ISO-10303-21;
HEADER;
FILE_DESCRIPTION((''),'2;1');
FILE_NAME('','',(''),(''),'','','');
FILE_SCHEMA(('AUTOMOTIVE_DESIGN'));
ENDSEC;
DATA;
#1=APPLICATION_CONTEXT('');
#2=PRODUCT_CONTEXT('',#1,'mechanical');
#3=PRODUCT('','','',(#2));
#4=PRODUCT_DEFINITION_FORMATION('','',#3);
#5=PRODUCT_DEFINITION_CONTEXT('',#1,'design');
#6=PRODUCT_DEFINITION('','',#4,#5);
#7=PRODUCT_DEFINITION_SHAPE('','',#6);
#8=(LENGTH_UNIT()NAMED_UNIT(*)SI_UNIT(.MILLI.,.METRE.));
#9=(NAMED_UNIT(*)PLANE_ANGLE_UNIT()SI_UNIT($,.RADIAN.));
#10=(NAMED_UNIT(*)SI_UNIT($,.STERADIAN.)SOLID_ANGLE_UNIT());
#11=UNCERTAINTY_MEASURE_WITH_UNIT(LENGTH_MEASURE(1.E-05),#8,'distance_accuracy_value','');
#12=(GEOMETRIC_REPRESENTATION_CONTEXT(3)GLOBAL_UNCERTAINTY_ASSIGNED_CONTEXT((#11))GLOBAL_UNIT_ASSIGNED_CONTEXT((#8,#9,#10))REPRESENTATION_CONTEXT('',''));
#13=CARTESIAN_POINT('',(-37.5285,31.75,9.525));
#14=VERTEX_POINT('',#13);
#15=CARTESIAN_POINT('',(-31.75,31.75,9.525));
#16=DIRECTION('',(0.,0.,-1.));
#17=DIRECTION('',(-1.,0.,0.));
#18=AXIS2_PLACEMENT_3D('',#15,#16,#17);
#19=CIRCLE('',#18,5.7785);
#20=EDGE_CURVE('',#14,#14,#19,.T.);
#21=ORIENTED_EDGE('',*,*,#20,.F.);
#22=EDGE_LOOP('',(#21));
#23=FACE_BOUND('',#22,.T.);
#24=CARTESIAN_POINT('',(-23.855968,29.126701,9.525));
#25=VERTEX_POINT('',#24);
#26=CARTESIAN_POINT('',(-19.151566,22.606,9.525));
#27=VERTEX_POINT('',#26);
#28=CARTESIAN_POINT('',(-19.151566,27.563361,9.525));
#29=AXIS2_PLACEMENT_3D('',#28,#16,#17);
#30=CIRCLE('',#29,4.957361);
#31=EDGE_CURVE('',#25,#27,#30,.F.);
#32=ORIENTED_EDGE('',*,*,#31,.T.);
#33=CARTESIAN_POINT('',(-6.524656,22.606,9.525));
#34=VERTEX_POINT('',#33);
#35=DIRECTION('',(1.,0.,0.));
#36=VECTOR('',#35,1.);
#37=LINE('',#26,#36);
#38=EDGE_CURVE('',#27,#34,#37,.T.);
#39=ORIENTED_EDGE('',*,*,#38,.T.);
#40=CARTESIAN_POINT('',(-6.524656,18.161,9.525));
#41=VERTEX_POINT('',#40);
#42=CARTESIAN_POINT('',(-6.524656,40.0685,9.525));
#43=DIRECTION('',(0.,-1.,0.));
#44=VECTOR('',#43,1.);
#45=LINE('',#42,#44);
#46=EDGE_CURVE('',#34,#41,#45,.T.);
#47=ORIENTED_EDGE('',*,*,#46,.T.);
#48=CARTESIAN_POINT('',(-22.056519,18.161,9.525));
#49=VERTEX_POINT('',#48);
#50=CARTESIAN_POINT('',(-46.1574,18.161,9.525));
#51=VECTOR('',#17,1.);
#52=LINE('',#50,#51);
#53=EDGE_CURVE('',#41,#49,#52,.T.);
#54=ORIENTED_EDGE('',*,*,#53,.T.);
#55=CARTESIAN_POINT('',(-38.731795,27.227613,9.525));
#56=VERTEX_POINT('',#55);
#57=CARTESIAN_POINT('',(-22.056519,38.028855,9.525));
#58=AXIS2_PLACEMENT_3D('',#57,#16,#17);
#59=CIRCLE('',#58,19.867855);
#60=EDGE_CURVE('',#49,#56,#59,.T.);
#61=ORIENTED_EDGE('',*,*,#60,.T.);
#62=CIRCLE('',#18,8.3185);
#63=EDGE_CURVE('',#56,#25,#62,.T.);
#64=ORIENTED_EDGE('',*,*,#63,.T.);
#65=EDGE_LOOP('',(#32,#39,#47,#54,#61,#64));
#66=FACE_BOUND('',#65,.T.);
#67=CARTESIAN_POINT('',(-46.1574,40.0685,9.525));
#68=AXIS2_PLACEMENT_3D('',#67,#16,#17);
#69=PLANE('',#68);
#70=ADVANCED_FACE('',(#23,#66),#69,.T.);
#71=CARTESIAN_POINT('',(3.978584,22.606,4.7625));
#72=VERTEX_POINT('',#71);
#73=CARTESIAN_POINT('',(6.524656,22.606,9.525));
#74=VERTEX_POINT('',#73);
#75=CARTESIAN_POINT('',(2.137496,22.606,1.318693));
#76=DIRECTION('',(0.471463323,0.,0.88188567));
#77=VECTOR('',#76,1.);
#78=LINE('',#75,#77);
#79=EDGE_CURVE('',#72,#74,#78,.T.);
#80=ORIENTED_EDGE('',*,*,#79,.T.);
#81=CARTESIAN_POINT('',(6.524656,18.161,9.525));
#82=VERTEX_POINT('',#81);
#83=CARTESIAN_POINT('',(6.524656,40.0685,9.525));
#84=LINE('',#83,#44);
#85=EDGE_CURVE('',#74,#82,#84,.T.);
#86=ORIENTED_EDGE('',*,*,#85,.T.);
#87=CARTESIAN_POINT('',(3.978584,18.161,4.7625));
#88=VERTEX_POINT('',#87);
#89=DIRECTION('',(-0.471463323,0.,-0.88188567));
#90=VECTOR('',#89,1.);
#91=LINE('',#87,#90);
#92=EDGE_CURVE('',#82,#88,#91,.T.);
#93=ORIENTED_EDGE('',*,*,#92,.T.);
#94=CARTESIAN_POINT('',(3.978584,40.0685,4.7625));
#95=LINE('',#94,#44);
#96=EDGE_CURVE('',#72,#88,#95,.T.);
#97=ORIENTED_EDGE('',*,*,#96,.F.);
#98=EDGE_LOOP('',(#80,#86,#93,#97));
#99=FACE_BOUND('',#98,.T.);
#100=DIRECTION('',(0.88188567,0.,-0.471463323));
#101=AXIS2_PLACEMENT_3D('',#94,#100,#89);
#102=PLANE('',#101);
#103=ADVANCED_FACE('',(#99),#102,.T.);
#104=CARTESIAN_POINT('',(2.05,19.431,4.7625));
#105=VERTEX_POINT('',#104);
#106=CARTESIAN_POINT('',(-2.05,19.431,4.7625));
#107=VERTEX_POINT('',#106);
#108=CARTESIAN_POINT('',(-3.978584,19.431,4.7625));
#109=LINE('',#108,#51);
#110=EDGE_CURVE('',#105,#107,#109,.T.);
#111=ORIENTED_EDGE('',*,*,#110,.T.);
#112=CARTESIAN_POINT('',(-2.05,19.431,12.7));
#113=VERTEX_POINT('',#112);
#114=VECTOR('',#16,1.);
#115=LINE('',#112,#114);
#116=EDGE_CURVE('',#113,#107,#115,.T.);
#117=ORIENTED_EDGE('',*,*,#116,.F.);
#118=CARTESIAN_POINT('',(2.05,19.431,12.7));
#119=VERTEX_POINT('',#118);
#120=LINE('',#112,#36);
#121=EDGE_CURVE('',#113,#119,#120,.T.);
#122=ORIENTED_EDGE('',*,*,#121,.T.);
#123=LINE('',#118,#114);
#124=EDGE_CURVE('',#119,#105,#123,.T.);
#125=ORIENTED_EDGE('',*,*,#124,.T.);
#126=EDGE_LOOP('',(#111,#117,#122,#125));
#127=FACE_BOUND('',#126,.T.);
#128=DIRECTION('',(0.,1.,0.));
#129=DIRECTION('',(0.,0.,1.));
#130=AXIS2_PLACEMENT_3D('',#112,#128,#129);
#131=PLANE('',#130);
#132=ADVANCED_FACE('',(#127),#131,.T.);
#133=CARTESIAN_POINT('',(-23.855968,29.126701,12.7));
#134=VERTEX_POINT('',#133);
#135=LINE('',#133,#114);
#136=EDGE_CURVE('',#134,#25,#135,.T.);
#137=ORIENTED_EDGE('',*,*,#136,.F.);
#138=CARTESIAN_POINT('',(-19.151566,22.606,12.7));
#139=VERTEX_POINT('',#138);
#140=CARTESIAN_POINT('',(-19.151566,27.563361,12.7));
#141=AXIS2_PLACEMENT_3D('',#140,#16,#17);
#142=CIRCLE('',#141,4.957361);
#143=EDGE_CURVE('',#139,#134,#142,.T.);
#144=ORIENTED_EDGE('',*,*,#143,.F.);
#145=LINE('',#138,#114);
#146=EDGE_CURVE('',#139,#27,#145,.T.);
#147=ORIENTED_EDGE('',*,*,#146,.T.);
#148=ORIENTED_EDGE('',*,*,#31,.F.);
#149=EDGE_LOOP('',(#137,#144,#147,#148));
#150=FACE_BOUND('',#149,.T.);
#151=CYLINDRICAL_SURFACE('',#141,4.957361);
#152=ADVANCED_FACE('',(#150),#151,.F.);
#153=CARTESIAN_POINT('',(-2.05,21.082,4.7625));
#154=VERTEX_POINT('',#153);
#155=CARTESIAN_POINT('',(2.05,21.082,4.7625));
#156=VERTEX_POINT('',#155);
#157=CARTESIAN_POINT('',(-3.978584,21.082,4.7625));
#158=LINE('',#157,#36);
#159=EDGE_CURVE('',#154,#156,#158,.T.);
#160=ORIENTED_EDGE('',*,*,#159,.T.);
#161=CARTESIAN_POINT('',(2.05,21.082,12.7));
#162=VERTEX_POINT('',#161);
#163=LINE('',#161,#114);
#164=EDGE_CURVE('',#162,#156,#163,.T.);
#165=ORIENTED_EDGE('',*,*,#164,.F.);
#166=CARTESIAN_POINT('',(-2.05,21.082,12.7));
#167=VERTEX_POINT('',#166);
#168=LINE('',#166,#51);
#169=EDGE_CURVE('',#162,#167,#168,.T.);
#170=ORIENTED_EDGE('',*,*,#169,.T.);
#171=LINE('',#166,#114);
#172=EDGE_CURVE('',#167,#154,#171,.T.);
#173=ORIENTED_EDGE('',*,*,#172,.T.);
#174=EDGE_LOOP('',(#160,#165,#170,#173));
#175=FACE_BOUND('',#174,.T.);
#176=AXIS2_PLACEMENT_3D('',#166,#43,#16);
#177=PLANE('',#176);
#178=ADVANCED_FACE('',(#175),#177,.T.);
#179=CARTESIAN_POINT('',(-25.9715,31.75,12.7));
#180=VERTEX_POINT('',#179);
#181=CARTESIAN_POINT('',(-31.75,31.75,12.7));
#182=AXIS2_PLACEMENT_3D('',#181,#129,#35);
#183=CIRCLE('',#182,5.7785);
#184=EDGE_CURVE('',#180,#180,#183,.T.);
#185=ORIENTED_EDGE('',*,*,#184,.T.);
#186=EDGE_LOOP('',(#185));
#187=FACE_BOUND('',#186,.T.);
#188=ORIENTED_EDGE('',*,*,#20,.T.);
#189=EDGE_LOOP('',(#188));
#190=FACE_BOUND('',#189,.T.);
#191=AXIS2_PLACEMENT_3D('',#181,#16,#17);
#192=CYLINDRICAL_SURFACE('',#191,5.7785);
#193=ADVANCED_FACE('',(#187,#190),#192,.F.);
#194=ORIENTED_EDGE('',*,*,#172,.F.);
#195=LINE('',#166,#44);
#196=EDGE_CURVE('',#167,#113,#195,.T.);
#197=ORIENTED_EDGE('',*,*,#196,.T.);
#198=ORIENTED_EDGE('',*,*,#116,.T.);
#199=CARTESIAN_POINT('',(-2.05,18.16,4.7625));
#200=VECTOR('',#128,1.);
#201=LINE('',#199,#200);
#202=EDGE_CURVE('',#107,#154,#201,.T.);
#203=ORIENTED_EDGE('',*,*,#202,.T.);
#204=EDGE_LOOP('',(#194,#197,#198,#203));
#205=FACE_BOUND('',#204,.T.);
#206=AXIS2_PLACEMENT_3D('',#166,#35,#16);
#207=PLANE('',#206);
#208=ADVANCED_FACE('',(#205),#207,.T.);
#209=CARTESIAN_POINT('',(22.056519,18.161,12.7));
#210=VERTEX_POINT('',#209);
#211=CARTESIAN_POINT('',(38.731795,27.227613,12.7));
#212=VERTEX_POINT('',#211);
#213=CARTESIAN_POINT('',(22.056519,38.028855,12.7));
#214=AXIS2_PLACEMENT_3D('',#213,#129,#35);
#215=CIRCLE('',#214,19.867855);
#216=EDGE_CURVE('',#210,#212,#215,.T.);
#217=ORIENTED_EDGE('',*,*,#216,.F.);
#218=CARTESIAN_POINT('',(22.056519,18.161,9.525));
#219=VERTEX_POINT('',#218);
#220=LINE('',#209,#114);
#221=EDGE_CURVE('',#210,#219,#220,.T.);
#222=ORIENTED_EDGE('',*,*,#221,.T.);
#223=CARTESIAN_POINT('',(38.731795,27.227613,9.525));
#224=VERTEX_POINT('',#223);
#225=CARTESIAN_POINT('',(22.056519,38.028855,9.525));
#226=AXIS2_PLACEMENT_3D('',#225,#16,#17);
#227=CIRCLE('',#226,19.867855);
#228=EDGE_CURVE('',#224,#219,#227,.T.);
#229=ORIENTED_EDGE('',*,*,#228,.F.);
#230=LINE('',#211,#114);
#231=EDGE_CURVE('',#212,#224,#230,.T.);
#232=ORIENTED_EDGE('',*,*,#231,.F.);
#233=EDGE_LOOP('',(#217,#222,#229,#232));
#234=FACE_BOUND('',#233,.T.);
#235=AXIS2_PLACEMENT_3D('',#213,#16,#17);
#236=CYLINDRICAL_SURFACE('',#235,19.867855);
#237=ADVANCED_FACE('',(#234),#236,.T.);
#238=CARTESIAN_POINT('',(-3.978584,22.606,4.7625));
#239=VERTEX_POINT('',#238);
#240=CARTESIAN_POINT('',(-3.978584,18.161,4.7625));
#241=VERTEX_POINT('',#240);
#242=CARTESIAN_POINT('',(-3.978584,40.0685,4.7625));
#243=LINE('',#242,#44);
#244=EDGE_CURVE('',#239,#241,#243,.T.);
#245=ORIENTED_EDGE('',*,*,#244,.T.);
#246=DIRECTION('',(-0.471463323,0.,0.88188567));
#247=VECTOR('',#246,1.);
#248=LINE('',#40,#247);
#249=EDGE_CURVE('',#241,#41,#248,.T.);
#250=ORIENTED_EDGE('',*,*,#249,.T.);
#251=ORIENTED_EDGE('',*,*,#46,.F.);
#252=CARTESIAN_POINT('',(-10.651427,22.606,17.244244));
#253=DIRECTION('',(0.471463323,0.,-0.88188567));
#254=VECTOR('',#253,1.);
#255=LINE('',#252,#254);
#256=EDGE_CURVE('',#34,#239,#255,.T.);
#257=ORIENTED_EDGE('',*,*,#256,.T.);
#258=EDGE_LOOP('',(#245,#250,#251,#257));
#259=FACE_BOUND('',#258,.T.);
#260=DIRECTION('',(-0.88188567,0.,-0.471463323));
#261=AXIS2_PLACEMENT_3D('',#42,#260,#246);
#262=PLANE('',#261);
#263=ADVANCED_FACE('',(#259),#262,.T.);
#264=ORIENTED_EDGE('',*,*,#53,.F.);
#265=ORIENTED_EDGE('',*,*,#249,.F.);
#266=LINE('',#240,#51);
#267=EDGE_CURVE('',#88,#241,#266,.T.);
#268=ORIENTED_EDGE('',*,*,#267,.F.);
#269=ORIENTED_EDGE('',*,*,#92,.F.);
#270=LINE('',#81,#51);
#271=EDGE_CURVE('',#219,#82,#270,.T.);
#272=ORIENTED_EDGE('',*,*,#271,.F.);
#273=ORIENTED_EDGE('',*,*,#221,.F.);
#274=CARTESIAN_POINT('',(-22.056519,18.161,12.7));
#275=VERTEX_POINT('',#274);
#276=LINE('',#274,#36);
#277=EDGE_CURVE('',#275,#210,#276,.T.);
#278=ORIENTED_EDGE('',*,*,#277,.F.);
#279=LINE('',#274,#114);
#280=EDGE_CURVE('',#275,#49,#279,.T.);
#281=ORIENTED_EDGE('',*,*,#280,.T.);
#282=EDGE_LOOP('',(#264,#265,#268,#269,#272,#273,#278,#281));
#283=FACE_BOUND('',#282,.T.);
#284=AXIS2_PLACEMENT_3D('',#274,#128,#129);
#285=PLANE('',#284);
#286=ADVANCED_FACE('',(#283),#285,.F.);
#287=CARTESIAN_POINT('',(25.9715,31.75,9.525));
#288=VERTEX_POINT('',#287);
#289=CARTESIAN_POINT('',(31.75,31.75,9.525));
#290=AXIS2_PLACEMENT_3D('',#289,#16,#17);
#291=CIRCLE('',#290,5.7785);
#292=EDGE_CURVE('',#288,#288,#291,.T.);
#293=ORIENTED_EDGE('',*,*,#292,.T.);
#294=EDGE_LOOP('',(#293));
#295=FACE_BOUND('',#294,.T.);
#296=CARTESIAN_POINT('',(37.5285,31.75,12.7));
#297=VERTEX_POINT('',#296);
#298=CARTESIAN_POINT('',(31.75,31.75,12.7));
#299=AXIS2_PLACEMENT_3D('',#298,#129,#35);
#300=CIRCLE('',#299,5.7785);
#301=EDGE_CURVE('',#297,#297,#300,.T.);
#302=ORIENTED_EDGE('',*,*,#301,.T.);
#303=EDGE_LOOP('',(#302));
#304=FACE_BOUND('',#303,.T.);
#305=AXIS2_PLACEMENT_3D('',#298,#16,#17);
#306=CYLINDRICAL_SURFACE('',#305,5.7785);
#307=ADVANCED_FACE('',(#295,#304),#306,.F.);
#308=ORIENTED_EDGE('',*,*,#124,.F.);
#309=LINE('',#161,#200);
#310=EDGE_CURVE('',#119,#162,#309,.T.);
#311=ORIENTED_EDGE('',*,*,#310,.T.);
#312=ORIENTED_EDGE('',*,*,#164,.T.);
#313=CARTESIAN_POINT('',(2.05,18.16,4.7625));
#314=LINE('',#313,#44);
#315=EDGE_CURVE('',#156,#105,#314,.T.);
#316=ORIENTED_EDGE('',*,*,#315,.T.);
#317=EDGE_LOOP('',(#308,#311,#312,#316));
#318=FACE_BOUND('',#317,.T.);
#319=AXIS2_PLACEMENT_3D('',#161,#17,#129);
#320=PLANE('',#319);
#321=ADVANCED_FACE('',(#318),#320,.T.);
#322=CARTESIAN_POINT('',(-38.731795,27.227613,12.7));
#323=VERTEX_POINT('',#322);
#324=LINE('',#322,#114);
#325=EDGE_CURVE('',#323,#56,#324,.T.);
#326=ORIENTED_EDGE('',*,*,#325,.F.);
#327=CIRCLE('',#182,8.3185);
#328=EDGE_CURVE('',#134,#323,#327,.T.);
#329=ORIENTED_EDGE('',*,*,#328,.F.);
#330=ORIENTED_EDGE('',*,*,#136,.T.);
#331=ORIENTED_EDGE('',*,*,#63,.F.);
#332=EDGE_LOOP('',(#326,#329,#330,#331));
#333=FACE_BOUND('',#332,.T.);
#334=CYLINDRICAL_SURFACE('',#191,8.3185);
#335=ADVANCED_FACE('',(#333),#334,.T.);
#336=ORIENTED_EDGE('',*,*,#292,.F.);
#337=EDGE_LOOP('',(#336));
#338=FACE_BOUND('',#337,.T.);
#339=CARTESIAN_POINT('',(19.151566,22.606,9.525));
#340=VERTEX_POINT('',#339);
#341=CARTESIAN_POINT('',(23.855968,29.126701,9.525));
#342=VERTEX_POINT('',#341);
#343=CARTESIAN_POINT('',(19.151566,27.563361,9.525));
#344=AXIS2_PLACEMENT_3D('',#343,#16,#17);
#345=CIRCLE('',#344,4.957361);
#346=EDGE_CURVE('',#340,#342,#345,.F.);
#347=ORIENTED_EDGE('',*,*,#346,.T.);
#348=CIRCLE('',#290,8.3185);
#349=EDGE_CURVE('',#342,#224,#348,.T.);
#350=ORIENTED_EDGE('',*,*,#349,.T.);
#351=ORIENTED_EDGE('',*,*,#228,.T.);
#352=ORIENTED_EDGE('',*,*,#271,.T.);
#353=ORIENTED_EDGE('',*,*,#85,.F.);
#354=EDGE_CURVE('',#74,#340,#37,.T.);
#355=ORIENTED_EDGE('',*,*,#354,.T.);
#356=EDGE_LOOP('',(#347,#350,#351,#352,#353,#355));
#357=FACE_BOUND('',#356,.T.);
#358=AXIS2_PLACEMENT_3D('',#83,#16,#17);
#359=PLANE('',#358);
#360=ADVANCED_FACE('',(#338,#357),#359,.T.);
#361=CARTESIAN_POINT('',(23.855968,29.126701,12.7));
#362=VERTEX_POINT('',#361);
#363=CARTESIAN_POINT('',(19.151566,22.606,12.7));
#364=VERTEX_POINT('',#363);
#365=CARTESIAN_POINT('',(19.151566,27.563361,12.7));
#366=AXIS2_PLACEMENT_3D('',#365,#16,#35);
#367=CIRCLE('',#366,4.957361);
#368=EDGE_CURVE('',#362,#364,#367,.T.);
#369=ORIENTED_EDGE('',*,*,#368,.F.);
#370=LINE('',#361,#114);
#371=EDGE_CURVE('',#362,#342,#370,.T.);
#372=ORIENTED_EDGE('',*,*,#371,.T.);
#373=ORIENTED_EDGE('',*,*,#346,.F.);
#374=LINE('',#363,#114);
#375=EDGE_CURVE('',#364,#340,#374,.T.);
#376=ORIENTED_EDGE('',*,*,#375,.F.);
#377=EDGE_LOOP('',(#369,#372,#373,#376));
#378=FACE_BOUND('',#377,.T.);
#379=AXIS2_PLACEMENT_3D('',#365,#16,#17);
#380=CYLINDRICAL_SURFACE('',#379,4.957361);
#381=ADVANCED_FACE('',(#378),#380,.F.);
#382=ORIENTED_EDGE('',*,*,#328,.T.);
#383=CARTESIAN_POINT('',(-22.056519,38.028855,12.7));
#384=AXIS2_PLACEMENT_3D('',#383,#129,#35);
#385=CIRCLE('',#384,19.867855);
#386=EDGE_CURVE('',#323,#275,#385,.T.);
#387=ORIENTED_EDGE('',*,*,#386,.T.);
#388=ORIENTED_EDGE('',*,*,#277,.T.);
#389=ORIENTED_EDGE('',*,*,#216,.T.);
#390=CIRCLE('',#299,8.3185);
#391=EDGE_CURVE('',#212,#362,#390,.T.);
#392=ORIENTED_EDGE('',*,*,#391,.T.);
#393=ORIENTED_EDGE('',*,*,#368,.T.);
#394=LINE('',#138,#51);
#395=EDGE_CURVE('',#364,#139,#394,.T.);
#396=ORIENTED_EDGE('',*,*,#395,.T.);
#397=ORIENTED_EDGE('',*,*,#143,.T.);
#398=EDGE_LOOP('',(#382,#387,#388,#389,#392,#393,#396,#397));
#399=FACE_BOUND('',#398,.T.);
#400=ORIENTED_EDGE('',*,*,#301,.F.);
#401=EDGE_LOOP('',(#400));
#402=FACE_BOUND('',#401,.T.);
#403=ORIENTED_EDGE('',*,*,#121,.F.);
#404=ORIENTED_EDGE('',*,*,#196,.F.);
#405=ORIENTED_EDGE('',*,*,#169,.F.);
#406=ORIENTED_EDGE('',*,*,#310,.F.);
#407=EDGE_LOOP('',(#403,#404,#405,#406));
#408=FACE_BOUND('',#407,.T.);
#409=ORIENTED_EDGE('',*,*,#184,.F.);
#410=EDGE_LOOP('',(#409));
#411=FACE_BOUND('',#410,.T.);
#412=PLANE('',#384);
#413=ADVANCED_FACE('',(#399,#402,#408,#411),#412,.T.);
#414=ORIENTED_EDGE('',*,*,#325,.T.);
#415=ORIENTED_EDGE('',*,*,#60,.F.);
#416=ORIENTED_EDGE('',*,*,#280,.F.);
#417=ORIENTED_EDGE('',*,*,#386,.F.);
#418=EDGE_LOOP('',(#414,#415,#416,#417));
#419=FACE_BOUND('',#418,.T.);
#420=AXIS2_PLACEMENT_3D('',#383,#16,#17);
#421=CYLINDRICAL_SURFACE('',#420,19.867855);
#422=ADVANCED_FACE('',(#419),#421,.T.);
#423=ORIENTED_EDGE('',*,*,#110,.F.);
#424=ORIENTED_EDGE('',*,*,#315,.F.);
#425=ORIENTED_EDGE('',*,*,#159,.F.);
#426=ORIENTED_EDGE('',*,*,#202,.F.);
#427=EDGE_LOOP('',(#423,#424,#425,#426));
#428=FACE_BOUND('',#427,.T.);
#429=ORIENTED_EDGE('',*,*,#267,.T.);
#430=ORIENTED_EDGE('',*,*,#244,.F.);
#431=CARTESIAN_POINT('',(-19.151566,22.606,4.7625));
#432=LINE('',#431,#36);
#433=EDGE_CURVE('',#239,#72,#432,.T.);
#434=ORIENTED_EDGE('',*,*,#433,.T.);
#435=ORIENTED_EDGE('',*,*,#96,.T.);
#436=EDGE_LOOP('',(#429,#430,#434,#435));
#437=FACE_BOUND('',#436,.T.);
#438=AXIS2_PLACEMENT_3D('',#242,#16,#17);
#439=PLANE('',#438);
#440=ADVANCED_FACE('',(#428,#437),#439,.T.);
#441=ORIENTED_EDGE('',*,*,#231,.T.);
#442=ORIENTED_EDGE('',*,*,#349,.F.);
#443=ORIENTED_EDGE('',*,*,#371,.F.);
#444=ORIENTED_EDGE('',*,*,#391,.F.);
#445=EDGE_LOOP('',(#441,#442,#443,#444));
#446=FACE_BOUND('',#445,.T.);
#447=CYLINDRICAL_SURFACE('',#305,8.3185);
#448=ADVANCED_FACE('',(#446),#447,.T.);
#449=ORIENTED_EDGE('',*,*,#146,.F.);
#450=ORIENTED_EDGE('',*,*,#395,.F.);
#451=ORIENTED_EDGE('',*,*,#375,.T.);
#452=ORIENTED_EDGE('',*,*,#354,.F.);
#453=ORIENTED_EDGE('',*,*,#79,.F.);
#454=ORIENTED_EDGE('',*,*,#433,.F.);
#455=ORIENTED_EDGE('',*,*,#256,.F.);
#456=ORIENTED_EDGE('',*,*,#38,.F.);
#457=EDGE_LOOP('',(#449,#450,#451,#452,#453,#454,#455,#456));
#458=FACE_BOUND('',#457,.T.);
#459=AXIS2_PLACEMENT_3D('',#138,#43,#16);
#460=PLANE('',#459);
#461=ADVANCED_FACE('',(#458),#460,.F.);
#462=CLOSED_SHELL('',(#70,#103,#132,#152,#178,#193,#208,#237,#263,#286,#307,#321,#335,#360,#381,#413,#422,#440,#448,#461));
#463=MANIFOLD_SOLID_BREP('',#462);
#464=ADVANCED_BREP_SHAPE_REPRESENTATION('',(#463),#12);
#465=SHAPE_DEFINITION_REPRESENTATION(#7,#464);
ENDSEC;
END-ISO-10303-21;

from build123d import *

# Parameters (mm, degrees)
SKETCH1_R                      = 5.7785
SKETCH1_W                      = 4.1
SKETCH1_H                      = 1.651
BOSS_EXTRUDE1_DEPTH            = 12.7
CUT_EXTRUDE1_REACH             = 6.445
CUT_EXTRUDE1_DIRECTION_2_DEPTH = 18.4625


with BuildPart() as part:
    # Sketch1 → Boss-Extrude1 (new body)
    with BuildSketch(Plane.XY):
        with BuildLine():
            Line((-22.056518803, 18.161), (22.056518803, 18.161))
            ThreePointArc((22.056518803, 18.161), (31.546886224, 20.574211288), (38.731794688, 27.227612888))
            ThreePointArc((38.731794688, 27.227612888), (32.803412582, 40.00153102), (23.855967837, 29.126700844))
            ThreePointArc((23.855967837, 29.126700844), (23.171856155, 24.662896524), (19.151565806, 22.606))
            Line((19.151565806, 22.606), (-19.151565806, 22.606))
            ThreePointArc((-19.151565806, 22.606), (-23.171856155, 24.662896524), (-23.855967837, 29.126700844))
            ThreePointArc((-23.855967837, 29.126700844), (-32.803412582, 40.00153102), (-38.731794688, 27.227612888))
            ThreePointArc((-38.731794688, 27.227612888), (-31.546886224, 20.574211288), (-22.056518803, 18.161))
        make_face()
        with Locations((-31.75, 31.75)):
            Circle(SKETCH1_R, mode=Mode.SUBTRACT)
        with Locations((31.75, 31.75)):
            Circle(SKETCH1_R, mode=Mode.SUBTRACT)
        with Locations((0, 20.2565)):
            Rectangle(SKETCH1_W, SKETCH1_H, mode=Mode.SUBTRACT)
    extrude(amount=BOSS_EXTRUDE1_DEPTH)

    # Sketch2 → Cut-Extrude1 (cut, up to next)
    with BuildSketch(Plane(origin=(0, 22.606, 0), x_dir=(1, 0, 0), z_dir=(0, 1, 0)), mode=Mode.PRIVATE) as cut_extrude1_sk1:
        Polygon((-46.157400287, -9.525), (-6.524655543, -9.525), (-3.978583924, -4.7625), (3.978583924, -4.7625), (6.524655543, -9.525), (46.157400287, -9.525), (46.157400287, 7.651360298), (-46.157400287, 7.651360298), align=None)
    cut_extrude1_tool1 = extrude(cut_extrude1_sk1.sketch, amount=-CUT_EXTRUDE1_REACH, mode=Mode.PRIVATE) & part.part
    add(cut_extrude1_tool1.solids().sort_by_distance((0, 22.606, 0.728365))[0], mode=Mode.SUBTRACT)

    # Sketch2 → Cut-Extrude1 direction 2 (cut)
    with BuildSketch(Plane(origin=(0, 22.606, 0), x_dir=(1, 0, 0), z_dir=(0, 1, 0))):
        Polygon((-46.157400287, -9.525), (-6.524655543, -9.525), (-3.978583924, -4.7625), (3.978583924, -4.7625), (6.524655543, -9.525), (46.157400287, -9.525), (46.157400287, 7.651360298), (-46.157400287, 7.651360298), align=None)
    extrude(amount=CUT_EXTRUDE1_DIRECTION_2_DEPTH, mode=Mode.SUBTRACT)


solid = part.part
